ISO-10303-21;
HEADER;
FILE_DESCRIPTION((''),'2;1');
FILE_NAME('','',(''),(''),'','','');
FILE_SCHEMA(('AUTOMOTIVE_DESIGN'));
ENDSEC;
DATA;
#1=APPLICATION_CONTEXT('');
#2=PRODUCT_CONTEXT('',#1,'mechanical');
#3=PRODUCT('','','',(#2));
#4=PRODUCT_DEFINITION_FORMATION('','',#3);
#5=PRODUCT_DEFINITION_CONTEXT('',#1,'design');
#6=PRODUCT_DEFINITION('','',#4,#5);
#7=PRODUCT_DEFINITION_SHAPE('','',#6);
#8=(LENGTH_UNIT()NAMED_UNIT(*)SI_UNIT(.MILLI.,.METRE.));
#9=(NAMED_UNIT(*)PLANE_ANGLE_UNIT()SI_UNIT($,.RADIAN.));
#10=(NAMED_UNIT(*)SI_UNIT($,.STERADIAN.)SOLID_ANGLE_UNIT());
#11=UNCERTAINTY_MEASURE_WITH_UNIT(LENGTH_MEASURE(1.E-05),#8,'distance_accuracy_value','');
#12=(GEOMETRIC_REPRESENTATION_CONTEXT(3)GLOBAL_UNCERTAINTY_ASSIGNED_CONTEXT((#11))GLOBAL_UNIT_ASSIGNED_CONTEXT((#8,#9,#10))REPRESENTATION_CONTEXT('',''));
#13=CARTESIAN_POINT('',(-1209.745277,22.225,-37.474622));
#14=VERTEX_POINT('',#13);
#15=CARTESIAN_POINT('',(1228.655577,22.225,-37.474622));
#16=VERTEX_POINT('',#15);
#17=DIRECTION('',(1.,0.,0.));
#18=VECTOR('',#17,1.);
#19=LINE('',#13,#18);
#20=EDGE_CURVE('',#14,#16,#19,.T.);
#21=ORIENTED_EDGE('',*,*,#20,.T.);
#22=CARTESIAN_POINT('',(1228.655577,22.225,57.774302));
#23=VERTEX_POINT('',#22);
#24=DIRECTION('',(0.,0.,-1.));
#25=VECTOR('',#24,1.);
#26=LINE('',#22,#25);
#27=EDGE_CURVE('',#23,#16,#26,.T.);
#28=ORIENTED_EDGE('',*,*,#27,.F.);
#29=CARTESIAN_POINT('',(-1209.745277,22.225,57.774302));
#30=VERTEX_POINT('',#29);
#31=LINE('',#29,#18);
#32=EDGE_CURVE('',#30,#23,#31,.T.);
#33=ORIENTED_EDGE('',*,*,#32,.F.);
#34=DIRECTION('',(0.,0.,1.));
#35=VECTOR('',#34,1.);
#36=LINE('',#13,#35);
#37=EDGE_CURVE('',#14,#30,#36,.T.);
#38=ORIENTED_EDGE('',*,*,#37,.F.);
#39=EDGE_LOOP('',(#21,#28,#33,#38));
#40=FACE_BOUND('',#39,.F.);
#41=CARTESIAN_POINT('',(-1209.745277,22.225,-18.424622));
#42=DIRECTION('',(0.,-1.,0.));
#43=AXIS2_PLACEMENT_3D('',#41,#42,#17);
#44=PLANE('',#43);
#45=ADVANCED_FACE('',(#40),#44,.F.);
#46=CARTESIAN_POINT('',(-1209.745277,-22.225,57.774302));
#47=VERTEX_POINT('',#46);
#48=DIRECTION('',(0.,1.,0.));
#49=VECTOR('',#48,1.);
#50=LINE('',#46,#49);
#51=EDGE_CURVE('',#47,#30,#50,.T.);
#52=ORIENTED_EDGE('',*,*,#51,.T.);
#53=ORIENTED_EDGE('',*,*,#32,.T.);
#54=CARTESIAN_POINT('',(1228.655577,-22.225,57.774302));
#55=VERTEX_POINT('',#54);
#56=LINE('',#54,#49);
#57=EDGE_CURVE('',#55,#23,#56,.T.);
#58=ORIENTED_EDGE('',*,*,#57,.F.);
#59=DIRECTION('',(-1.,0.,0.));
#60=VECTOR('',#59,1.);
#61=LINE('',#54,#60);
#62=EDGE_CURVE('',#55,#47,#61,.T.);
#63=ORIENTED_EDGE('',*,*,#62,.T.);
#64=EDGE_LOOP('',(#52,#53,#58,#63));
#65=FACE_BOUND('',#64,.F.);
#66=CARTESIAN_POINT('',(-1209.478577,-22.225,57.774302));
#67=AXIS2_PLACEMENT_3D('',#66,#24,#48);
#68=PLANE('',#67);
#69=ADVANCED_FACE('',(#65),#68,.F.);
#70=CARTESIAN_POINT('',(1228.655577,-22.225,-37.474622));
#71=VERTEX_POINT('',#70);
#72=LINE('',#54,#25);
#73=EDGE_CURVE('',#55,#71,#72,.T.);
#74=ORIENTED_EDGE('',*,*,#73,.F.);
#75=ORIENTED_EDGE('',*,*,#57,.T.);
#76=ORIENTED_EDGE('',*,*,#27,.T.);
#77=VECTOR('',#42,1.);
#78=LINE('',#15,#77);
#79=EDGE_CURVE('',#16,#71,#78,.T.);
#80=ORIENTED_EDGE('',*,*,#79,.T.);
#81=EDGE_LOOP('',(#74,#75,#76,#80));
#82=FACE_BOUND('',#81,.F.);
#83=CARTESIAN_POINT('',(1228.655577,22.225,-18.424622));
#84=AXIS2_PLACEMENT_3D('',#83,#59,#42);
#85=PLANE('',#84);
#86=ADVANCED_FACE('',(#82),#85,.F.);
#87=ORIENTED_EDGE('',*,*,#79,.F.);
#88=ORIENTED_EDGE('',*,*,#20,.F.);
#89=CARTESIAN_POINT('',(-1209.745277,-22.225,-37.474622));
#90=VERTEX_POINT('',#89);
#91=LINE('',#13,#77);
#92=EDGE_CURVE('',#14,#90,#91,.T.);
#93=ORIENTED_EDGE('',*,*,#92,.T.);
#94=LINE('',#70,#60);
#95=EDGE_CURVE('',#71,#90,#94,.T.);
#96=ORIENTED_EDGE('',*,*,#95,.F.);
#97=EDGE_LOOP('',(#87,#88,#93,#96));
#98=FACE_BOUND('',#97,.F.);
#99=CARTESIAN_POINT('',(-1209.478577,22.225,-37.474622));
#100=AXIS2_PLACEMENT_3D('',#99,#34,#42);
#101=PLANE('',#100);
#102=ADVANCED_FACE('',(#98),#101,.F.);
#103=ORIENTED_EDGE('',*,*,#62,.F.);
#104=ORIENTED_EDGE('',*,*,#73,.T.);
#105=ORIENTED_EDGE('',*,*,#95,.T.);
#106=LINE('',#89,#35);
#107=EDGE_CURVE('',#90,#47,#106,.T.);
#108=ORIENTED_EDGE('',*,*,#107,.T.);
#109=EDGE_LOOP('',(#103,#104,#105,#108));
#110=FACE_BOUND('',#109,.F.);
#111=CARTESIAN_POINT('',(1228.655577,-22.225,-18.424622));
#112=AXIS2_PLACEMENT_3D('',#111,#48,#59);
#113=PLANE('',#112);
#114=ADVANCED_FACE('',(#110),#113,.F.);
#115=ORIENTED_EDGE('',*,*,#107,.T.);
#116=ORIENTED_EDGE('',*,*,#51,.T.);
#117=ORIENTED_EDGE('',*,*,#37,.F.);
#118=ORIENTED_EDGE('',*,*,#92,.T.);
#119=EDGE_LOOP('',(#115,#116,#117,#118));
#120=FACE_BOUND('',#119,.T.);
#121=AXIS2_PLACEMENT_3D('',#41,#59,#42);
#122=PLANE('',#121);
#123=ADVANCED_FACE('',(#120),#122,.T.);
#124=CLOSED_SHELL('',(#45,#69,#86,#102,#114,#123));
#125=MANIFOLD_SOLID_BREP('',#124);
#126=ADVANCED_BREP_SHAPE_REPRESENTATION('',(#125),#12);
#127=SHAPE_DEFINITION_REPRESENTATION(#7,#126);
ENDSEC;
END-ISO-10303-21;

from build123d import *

# Parameters (mm, degrees)
F0_W     = 2457.3111534119
F0_H     = 115.5486032367
F1_DEPTH = 22.225
F2_DEPTH = 192.93608
F3_DEPTH = 19.177
F4_DEPTH = 0.2667
F5_DEPTH = 12.7
F6_DEPTH = 1.24968
F7_DEPTH = 25.4
F8_DEPTH = 19.05


with BuildPart() as f1:
    # F0 (on Front) → F1 (new body, symmetric)
    with BuildSketch(Plane.XZ):
        Rectangle(F0_W, F0_H)
    extrude(amount=F1_DEPTH, both=True)

    # F2 (add): a face of the model
    f2_faces = [f1.faces().sort_by_distance(p)[0] for p in [
        (-1228.6555767059, 0, 0),
    ]]
    extrude(f2_faces, amount=-F2_DEPTH)

    # F3 (cut): a face of the model
    f3_faces = [f1.faces().sort_by_distance(p)[0] for p in [
        (-1228.6555767059, 0, 0),
    ]]
    extrude(f3_faces, amount=-F3_DEPTH, mode=Mode.SUBTRACT)

    # F4 (add): a face of the model
    f4_faces = [f1.faces().sort_by_distance(p)[0] for p in [
        (-1209.4785767059, 0, 0),
    ]]
    extrude(f4_faces, amount=F4_DEPTH)

    # F5 (cut): a face of the model
    f5_faces = [f1.faces().sort_by_distance(p)[0] for p in [
        (9.45515, 0, -57.7743016183),
    ]]
    extrude(f5_faces, amount=-F5_DEPTH, mode=Mode.SUBTRACT)

    # F6 (cut): a face of the model
    f6_faces = [f1.faces().sort_by_distance(p)[0] for p in [
        (9.45515, 0, -45.0743016183),
    ]]
    extrude(f6_faces, amount=-F6_DEPTH, mode=Mode.SUBTRACT)

    # F7 (cut): a face of the model
    f7_faces = [f1.faces().sort_by_distance(p)[0] for p in [
        (9.45515, 0, -43.8246216183),
    ]]
    extrude(f7_faces, amount=-F7_DEPTH, mode=Mode.SUBTRACT)

    # F8 (add): a face of the model
    f8_faces = [f1.faces().sort_by_distance(p)[0] for p in [
        (9.45515, 0, -18.4246216183),
    ]]
    extrude(f8_faces, amount=F8_DEPTH)


solid = f1.part
